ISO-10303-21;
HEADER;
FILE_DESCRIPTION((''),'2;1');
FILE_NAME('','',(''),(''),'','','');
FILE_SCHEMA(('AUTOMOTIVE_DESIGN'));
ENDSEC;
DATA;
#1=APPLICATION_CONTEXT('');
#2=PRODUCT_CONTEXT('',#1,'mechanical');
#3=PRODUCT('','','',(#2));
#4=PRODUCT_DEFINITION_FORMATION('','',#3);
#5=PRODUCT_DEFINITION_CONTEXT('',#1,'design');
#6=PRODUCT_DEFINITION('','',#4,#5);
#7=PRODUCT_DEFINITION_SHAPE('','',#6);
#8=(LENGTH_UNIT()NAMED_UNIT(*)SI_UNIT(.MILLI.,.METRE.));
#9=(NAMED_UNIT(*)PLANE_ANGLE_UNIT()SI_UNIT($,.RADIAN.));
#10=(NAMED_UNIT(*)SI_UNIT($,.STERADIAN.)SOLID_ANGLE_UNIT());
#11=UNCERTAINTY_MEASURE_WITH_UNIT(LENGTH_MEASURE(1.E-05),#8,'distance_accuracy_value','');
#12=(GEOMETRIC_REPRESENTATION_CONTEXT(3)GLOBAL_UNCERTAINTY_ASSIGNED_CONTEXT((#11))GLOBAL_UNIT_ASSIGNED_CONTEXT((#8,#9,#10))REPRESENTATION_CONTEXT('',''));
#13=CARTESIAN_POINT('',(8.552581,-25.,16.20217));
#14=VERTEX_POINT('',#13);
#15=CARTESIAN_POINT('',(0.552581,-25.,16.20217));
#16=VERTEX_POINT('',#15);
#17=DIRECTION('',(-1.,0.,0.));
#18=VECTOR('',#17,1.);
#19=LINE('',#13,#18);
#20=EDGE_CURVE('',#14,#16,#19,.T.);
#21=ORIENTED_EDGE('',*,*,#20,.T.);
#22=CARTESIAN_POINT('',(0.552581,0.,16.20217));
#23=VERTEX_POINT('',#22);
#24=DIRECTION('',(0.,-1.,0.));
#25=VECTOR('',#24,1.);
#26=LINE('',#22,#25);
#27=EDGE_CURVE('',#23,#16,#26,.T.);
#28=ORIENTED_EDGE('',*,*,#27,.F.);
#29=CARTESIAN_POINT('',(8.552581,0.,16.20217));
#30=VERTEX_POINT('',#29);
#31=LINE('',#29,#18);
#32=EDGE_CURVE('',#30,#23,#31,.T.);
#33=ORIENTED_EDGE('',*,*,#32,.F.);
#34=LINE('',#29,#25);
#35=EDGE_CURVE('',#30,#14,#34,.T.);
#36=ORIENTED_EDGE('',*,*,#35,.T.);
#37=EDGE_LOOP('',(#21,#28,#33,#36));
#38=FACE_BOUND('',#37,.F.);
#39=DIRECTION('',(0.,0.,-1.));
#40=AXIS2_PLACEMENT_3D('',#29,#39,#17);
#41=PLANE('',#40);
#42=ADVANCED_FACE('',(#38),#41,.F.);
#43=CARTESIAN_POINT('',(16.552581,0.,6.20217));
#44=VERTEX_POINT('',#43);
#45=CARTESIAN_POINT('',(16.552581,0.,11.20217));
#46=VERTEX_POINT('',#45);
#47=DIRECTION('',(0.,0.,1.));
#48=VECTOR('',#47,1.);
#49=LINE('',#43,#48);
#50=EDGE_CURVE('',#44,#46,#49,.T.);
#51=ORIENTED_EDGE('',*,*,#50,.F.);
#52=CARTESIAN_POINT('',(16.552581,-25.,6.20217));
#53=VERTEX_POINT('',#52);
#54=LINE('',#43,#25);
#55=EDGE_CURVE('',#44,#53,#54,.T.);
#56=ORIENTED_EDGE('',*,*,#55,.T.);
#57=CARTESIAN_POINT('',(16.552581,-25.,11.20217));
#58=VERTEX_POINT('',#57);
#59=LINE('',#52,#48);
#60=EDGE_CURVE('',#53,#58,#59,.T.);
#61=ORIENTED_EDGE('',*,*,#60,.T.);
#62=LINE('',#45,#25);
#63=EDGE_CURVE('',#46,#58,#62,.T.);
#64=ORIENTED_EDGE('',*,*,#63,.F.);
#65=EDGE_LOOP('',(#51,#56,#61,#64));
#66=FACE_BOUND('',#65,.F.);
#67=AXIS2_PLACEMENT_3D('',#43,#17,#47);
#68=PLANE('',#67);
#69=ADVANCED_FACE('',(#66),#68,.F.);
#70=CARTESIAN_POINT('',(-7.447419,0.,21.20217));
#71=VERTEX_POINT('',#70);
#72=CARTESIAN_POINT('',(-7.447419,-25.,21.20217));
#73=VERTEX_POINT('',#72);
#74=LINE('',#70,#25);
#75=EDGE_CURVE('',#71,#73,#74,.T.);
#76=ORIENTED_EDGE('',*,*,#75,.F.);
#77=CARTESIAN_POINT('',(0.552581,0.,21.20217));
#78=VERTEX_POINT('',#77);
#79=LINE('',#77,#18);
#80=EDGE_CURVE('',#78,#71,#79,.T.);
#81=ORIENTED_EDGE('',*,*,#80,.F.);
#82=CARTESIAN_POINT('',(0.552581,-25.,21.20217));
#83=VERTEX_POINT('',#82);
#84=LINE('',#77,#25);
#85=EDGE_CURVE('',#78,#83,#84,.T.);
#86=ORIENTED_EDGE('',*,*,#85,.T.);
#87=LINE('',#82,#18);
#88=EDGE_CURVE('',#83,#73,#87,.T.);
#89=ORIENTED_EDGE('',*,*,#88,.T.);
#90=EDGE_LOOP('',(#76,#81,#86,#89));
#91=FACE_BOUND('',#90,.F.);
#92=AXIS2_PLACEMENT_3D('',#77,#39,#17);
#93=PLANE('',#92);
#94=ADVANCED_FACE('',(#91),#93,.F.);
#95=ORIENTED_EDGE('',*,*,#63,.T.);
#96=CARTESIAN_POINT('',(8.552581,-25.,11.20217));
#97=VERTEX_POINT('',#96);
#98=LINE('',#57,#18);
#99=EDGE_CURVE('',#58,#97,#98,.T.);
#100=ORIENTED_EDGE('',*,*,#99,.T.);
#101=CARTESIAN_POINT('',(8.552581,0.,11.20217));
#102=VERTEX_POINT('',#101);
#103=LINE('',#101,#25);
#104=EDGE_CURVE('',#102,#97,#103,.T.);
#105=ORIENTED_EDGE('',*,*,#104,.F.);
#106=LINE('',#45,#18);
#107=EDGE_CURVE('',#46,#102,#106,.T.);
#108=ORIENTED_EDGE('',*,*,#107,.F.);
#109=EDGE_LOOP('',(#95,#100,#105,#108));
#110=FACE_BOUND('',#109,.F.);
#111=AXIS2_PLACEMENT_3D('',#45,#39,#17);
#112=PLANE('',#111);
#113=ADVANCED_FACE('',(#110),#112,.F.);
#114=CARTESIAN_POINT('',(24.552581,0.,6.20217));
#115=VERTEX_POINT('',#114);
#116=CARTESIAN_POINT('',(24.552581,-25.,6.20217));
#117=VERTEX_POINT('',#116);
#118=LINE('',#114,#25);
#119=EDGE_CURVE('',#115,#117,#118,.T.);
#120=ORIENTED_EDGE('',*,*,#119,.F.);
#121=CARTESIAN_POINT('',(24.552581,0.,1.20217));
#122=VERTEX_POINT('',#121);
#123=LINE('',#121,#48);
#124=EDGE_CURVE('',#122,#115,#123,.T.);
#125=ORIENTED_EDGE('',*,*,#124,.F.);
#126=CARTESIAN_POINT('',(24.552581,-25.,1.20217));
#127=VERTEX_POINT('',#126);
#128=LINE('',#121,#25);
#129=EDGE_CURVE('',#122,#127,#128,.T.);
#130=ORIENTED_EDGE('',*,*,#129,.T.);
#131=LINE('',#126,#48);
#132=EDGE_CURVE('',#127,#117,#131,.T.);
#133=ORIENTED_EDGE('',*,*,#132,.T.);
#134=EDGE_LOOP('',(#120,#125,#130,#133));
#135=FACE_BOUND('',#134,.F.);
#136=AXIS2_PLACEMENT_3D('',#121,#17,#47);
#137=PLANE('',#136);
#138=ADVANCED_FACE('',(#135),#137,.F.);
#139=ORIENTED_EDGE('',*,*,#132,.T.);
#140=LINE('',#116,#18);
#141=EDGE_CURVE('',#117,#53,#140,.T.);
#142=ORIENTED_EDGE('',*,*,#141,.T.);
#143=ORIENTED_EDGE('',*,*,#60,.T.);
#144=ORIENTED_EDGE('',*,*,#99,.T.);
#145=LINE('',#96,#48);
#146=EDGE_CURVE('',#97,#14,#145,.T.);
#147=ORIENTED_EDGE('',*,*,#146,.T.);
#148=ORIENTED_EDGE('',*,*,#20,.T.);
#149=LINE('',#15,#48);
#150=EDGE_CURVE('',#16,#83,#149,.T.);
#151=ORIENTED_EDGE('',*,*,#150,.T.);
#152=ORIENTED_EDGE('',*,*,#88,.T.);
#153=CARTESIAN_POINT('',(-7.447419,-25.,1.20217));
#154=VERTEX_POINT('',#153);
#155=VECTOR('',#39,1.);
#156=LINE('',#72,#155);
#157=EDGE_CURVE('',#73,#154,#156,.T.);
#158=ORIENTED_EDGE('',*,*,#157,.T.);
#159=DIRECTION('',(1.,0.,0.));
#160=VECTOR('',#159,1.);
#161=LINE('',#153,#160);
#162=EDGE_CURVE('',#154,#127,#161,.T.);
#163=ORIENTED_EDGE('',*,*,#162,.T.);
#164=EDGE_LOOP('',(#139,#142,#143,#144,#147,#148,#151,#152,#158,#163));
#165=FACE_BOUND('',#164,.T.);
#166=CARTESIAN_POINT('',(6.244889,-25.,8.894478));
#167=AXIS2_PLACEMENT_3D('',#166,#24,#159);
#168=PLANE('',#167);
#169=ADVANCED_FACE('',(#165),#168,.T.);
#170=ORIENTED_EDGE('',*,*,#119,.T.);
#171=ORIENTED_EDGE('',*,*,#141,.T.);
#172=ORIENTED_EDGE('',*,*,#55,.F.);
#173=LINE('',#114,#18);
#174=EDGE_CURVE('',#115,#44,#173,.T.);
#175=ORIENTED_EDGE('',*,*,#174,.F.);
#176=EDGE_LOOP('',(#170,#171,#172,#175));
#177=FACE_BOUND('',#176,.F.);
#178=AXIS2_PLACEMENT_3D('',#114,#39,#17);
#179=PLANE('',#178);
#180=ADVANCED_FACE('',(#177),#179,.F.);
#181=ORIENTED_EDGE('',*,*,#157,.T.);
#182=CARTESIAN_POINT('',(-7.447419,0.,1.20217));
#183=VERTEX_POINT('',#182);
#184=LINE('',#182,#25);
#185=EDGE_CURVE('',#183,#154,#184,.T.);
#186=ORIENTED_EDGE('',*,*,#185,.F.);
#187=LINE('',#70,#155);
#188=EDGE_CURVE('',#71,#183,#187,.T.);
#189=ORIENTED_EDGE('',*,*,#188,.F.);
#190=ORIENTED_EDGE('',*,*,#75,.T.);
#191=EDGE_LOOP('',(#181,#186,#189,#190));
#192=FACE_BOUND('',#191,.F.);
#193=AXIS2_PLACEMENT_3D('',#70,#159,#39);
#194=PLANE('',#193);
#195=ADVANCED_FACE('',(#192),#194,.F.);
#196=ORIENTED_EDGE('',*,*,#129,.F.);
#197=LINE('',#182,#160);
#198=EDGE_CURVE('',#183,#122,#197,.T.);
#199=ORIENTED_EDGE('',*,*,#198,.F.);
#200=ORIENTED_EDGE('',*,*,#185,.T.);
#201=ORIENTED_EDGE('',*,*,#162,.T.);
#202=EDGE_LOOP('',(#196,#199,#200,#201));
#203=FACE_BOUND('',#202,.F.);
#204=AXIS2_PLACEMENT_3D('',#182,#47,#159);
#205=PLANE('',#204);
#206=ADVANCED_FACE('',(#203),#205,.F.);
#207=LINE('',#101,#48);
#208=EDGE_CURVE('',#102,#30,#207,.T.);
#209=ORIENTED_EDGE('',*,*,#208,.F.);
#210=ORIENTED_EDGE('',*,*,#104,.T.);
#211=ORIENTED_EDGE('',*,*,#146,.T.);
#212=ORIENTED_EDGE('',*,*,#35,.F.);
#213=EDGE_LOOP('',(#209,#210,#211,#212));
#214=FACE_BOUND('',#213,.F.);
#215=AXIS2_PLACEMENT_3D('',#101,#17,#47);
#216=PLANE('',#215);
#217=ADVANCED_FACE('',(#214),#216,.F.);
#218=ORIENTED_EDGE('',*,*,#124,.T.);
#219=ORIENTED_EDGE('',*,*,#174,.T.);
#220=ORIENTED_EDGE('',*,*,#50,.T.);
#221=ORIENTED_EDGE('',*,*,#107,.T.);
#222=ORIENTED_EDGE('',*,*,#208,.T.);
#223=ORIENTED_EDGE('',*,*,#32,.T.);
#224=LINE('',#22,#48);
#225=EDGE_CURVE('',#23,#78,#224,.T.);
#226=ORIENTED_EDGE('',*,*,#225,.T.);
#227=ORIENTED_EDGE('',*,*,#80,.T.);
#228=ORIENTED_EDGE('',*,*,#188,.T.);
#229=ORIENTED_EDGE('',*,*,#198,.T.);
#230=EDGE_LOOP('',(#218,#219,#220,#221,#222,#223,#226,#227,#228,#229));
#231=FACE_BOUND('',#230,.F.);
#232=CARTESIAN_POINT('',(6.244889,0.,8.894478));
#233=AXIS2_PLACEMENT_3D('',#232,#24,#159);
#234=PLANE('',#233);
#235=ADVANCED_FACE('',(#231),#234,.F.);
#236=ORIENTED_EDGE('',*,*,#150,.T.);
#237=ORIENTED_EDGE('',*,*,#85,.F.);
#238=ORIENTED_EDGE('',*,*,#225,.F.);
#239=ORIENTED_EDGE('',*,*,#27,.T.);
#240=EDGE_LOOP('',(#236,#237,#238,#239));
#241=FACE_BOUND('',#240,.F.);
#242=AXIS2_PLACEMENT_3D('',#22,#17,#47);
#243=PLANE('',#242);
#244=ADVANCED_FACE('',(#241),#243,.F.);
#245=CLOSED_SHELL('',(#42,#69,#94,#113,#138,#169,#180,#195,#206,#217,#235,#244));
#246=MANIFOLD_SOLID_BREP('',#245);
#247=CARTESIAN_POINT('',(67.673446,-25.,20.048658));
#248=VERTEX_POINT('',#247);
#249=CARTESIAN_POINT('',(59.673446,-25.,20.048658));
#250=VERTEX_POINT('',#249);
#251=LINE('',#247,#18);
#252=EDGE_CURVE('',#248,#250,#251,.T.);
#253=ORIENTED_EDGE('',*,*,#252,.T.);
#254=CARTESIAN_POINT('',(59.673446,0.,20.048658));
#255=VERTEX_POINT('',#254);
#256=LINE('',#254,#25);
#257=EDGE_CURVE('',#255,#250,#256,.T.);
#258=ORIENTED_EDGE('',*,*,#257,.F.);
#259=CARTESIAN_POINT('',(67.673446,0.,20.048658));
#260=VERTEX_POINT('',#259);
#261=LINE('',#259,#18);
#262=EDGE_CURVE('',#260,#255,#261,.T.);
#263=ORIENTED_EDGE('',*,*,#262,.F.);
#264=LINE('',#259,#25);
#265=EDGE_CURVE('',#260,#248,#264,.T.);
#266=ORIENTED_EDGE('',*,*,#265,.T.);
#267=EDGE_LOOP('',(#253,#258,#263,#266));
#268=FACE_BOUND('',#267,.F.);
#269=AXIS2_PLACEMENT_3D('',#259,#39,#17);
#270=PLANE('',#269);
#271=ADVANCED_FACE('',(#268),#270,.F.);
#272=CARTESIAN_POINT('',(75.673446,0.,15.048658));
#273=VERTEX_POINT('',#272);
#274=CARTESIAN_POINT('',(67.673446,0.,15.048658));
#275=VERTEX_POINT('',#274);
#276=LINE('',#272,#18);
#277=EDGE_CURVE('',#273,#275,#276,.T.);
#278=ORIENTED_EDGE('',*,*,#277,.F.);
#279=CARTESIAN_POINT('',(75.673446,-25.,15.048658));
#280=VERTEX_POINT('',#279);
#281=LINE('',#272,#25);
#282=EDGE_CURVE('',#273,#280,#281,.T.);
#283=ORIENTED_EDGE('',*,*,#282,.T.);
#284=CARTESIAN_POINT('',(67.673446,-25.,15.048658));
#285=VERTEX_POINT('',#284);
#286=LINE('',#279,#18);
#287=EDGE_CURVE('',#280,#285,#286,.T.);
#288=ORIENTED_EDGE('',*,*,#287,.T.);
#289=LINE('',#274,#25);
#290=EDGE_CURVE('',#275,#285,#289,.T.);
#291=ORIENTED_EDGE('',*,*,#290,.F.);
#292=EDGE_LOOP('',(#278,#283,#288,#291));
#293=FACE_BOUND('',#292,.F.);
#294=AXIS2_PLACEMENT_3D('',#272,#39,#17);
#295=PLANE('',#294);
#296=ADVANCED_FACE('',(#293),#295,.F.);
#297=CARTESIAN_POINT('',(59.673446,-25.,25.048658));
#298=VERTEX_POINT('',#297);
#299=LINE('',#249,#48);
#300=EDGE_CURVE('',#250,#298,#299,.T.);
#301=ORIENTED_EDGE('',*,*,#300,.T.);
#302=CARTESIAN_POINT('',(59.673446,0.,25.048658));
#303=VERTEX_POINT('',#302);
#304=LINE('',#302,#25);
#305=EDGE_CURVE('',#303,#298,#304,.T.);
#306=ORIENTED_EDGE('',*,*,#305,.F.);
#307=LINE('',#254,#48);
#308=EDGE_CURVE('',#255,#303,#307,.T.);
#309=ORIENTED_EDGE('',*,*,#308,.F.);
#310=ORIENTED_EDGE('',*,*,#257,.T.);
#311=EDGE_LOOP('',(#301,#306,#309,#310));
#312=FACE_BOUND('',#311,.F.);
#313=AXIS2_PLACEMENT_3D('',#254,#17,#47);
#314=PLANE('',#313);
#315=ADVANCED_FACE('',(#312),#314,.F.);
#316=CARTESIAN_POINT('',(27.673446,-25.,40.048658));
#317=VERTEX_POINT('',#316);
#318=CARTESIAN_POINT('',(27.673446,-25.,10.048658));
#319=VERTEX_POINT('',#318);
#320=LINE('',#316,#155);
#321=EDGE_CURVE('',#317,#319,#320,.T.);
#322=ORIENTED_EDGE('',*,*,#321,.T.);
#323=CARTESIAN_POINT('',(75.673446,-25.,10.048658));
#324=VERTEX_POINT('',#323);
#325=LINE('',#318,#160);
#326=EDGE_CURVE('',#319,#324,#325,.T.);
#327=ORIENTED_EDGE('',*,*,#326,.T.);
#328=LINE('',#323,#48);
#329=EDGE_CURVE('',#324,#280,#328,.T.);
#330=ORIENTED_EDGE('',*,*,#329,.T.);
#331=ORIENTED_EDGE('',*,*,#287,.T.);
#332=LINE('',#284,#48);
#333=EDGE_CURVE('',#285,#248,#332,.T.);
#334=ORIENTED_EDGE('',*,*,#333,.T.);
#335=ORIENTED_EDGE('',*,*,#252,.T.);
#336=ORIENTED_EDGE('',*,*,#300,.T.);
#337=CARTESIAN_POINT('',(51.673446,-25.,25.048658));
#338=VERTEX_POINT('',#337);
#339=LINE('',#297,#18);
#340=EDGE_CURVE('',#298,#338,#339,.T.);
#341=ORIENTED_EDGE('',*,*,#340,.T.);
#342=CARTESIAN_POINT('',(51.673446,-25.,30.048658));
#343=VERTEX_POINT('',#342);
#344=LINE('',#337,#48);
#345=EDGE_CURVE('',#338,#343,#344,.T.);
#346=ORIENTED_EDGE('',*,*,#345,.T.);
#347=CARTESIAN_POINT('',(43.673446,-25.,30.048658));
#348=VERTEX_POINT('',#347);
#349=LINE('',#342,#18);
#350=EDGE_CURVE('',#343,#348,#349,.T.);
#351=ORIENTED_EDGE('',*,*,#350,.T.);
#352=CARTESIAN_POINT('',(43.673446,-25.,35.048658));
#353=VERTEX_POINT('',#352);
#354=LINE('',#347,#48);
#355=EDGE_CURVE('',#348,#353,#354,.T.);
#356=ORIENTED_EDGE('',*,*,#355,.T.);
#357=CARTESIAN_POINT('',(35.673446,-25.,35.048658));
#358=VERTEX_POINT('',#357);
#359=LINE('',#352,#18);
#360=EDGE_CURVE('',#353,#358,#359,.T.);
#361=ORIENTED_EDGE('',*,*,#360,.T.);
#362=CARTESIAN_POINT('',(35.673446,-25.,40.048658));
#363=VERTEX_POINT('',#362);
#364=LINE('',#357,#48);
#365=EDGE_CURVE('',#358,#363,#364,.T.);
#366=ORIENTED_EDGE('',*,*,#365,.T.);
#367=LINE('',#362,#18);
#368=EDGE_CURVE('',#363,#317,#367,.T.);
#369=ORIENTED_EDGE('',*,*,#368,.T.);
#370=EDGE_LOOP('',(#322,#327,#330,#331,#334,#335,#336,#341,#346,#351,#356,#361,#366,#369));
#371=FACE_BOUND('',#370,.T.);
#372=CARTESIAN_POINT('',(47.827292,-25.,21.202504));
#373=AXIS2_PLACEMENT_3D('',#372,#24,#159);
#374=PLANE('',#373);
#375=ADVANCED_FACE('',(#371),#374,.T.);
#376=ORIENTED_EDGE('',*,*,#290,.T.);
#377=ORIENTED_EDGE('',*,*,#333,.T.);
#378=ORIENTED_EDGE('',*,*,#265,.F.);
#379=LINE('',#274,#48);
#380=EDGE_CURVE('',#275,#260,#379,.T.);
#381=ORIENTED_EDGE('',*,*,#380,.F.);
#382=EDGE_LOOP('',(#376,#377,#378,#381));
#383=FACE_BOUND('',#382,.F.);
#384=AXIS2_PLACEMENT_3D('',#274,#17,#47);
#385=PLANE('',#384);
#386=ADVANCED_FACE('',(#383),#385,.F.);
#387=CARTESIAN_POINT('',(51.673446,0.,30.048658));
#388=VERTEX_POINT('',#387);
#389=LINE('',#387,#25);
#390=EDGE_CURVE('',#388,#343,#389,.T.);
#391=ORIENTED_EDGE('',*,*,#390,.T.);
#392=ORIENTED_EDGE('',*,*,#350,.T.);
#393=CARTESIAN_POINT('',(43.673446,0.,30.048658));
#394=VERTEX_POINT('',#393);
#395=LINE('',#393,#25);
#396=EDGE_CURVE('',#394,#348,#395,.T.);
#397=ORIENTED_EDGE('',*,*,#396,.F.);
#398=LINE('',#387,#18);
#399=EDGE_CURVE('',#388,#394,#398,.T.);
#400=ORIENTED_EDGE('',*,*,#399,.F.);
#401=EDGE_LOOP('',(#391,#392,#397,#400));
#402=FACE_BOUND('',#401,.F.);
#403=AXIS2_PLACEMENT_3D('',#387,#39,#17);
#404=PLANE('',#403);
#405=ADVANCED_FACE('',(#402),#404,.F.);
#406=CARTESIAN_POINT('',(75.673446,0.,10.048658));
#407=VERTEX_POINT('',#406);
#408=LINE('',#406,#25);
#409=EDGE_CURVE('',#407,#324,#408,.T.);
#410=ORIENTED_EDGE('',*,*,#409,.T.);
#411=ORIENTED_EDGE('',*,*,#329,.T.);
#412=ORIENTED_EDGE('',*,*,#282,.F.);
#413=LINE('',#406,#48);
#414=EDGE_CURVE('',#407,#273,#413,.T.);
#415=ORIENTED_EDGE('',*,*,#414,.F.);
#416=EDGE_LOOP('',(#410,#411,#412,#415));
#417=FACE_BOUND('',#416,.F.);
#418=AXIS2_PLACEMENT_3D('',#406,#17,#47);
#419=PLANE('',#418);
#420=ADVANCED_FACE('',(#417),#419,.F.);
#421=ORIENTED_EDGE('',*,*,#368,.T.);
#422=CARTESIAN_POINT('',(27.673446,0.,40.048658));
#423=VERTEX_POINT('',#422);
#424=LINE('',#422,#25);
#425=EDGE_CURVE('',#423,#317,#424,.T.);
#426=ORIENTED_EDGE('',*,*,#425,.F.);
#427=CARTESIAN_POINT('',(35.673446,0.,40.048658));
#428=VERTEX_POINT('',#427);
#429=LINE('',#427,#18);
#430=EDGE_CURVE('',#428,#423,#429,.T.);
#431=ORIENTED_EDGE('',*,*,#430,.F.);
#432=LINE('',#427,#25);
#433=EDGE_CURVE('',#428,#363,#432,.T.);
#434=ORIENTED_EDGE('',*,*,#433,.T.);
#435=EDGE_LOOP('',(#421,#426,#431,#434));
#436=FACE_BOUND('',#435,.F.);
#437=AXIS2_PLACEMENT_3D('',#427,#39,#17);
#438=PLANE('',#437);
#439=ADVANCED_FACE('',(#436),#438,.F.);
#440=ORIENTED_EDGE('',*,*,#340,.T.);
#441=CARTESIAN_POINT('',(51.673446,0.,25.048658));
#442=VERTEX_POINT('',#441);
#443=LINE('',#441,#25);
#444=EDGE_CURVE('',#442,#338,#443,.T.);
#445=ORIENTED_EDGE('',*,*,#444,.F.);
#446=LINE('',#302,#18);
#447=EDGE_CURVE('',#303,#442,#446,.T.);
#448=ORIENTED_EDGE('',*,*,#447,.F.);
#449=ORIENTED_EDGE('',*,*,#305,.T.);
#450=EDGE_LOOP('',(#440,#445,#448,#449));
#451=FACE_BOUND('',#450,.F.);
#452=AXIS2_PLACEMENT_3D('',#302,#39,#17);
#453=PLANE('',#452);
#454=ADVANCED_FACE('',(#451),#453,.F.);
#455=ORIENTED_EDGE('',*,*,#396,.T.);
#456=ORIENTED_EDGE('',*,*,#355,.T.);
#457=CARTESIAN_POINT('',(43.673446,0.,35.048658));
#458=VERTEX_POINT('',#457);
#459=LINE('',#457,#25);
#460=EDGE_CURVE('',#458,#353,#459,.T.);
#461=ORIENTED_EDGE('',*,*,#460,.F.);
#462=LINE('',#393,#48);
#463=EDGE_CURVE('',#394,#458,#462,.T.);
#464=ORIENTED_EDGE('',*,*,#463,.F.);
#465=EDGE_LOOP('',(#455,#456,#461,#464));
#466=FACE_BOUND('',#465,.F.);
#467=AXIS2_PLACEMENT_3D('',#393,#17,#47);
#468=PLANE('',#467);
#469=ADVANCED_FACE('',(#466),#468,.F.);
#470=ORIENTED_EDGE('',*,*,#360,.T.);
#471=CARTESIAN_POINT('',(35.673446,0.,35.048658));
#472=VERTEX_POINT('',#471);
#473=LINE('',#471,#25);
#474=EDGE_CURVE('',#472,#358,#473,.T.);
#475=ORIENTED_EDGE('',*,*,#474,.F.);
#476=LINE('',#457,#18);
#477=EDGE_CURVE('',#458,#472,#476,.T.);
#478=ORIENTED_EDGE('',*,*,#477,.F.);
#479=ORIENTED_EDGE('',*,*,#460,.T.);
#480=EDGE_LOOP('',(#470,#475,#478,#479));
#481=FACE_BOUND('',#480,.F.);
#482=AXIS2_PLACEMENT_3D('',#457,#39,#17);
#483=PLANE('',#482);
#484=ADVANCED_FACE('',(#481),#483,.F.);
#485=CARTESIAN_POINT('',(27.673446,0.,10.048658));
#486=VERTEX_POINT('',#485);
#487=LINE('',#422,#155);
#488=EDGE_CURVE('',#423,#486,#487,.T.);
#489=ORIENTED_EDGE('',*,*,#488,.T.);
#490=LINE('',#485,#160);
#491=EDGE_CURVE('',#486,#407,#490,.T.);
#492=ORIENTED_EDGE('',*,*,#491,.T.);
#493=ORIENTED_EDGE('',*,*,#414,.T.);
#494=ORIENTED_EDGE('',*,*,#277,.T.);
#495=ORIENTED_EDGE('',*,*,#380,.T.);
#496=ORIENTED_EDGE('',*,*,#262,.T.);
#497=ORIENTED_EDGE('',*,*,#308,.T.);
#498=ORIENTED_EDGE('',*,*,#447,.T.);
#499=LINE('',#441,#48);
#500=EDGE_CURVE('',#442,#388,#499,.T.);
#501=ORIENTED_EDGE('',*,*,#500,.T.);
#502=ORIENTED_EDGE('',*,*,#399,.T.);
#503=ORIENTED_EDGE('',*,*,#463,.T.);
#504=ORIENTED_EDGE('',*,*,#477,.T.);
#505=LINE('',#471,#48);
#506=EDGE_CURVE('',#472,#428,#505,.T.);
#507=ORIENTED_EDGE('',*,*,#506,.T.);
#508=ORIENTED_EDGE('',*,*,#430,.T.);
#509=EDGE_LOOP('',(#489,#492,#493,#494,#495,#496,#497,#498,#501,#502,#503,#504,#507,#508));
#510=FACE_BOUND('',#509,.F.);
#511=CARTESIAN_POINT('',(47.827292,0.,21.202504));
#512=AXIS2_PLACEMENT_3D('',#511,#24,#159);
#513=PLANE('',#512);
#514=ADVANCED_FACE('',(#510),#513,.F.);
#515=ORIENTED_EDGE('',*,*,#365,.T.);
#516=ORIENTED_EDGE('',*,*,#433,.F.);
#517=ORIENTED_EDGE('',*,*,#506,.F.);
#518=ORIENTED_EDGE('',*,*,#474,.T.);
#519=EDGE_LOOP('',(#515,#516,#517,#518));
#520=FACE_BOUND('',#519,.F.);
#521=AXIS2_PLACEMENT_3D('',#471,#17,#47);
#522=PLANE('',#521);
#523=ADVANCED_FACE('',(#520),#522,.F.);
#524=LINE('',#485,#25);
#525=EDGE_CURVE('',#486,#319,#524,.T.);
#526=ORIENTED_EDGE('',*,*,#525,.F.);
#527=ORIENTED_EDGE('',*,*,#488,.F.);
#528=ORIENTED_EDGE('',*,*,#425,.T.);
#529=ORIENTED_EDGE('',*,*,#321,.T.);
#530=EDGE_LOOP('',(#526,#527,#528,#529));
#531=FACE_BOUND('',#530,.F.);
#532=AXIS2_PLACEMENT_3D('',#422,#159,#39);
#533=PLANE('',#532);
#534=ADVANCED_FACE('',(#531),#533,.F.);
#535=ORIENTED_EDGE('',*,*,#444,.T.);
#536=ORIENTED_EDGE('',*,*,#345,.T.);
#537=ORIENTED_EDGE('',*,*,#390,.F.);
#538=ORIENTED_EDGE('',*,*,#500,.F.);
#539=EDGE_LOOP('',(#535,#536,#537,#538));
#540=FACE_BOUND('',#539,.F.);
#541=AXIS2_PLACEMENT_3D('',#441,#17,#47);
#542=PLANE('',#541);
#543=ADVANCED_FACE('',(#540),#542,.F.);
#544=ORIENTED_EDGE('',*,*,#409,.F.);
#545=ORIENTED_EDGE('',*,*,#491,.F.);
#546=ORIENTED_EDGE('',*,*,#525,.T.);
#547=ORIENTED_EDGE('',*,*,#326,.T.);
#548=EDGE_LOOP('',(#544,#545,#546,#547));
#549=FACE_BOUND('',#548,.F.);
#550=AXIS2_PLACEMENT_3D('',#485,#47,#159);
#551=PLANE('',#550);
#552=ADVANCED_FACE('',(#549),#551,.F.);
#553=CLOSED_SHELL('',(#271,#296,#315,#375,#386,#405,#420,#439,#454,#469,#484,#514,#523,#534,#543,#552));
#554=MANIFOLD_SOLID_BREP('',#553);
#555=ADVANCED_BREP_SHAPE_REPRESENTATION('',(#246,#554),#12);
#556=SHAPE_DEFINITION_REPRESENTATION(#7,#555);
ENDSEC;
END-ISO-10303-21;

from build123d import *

# Parameters (mm, degrees)
F1_DEPTH = 25
F3_DEPTH = 25


with BuildPart() as f1:
    # F0 (on Front) → F1 (new body)
    with BuildSketch(Plane.XZ):
        Polygon((-7.447419, 21.20217), (-7.447419, 1.20217), (24.552581, 1.20217), (24.552581, 6.20217), (16.552581, 6.20217), (16.552581, 11.20217), (8.552581, 11.20217), (8.552581, 16.20217), (0.552581, 16.20217), (0.552581, 21.20217), align=None)
    extrude(amount=F1_DEPTH)


with BuildPart() as f3:
    # F2 (on Front) → F3 (new body)
    with BuildSketch(Plane.XZ):
        Polygon((27.673446, 40.048658), (27.673446, 10.048658), (28.946173, 10.048658), (75.673446, 10.048658), (75.673446, 15.048658), (67.673446, 15.048658), (67.673446, 20.048658), (59.673446, 20.048658), (59.673446, 25.048658), (51.673446, 25.048658), (51.673446, 30.048658), (43.673446, 30.048658), (43.673446, 35.048658), (35.673446, 35.048658), (35.673446, 40.048658), align=None)
    extrude(amount=F3_DEPTH)


solid = Compound([f1.part, f3.part])
